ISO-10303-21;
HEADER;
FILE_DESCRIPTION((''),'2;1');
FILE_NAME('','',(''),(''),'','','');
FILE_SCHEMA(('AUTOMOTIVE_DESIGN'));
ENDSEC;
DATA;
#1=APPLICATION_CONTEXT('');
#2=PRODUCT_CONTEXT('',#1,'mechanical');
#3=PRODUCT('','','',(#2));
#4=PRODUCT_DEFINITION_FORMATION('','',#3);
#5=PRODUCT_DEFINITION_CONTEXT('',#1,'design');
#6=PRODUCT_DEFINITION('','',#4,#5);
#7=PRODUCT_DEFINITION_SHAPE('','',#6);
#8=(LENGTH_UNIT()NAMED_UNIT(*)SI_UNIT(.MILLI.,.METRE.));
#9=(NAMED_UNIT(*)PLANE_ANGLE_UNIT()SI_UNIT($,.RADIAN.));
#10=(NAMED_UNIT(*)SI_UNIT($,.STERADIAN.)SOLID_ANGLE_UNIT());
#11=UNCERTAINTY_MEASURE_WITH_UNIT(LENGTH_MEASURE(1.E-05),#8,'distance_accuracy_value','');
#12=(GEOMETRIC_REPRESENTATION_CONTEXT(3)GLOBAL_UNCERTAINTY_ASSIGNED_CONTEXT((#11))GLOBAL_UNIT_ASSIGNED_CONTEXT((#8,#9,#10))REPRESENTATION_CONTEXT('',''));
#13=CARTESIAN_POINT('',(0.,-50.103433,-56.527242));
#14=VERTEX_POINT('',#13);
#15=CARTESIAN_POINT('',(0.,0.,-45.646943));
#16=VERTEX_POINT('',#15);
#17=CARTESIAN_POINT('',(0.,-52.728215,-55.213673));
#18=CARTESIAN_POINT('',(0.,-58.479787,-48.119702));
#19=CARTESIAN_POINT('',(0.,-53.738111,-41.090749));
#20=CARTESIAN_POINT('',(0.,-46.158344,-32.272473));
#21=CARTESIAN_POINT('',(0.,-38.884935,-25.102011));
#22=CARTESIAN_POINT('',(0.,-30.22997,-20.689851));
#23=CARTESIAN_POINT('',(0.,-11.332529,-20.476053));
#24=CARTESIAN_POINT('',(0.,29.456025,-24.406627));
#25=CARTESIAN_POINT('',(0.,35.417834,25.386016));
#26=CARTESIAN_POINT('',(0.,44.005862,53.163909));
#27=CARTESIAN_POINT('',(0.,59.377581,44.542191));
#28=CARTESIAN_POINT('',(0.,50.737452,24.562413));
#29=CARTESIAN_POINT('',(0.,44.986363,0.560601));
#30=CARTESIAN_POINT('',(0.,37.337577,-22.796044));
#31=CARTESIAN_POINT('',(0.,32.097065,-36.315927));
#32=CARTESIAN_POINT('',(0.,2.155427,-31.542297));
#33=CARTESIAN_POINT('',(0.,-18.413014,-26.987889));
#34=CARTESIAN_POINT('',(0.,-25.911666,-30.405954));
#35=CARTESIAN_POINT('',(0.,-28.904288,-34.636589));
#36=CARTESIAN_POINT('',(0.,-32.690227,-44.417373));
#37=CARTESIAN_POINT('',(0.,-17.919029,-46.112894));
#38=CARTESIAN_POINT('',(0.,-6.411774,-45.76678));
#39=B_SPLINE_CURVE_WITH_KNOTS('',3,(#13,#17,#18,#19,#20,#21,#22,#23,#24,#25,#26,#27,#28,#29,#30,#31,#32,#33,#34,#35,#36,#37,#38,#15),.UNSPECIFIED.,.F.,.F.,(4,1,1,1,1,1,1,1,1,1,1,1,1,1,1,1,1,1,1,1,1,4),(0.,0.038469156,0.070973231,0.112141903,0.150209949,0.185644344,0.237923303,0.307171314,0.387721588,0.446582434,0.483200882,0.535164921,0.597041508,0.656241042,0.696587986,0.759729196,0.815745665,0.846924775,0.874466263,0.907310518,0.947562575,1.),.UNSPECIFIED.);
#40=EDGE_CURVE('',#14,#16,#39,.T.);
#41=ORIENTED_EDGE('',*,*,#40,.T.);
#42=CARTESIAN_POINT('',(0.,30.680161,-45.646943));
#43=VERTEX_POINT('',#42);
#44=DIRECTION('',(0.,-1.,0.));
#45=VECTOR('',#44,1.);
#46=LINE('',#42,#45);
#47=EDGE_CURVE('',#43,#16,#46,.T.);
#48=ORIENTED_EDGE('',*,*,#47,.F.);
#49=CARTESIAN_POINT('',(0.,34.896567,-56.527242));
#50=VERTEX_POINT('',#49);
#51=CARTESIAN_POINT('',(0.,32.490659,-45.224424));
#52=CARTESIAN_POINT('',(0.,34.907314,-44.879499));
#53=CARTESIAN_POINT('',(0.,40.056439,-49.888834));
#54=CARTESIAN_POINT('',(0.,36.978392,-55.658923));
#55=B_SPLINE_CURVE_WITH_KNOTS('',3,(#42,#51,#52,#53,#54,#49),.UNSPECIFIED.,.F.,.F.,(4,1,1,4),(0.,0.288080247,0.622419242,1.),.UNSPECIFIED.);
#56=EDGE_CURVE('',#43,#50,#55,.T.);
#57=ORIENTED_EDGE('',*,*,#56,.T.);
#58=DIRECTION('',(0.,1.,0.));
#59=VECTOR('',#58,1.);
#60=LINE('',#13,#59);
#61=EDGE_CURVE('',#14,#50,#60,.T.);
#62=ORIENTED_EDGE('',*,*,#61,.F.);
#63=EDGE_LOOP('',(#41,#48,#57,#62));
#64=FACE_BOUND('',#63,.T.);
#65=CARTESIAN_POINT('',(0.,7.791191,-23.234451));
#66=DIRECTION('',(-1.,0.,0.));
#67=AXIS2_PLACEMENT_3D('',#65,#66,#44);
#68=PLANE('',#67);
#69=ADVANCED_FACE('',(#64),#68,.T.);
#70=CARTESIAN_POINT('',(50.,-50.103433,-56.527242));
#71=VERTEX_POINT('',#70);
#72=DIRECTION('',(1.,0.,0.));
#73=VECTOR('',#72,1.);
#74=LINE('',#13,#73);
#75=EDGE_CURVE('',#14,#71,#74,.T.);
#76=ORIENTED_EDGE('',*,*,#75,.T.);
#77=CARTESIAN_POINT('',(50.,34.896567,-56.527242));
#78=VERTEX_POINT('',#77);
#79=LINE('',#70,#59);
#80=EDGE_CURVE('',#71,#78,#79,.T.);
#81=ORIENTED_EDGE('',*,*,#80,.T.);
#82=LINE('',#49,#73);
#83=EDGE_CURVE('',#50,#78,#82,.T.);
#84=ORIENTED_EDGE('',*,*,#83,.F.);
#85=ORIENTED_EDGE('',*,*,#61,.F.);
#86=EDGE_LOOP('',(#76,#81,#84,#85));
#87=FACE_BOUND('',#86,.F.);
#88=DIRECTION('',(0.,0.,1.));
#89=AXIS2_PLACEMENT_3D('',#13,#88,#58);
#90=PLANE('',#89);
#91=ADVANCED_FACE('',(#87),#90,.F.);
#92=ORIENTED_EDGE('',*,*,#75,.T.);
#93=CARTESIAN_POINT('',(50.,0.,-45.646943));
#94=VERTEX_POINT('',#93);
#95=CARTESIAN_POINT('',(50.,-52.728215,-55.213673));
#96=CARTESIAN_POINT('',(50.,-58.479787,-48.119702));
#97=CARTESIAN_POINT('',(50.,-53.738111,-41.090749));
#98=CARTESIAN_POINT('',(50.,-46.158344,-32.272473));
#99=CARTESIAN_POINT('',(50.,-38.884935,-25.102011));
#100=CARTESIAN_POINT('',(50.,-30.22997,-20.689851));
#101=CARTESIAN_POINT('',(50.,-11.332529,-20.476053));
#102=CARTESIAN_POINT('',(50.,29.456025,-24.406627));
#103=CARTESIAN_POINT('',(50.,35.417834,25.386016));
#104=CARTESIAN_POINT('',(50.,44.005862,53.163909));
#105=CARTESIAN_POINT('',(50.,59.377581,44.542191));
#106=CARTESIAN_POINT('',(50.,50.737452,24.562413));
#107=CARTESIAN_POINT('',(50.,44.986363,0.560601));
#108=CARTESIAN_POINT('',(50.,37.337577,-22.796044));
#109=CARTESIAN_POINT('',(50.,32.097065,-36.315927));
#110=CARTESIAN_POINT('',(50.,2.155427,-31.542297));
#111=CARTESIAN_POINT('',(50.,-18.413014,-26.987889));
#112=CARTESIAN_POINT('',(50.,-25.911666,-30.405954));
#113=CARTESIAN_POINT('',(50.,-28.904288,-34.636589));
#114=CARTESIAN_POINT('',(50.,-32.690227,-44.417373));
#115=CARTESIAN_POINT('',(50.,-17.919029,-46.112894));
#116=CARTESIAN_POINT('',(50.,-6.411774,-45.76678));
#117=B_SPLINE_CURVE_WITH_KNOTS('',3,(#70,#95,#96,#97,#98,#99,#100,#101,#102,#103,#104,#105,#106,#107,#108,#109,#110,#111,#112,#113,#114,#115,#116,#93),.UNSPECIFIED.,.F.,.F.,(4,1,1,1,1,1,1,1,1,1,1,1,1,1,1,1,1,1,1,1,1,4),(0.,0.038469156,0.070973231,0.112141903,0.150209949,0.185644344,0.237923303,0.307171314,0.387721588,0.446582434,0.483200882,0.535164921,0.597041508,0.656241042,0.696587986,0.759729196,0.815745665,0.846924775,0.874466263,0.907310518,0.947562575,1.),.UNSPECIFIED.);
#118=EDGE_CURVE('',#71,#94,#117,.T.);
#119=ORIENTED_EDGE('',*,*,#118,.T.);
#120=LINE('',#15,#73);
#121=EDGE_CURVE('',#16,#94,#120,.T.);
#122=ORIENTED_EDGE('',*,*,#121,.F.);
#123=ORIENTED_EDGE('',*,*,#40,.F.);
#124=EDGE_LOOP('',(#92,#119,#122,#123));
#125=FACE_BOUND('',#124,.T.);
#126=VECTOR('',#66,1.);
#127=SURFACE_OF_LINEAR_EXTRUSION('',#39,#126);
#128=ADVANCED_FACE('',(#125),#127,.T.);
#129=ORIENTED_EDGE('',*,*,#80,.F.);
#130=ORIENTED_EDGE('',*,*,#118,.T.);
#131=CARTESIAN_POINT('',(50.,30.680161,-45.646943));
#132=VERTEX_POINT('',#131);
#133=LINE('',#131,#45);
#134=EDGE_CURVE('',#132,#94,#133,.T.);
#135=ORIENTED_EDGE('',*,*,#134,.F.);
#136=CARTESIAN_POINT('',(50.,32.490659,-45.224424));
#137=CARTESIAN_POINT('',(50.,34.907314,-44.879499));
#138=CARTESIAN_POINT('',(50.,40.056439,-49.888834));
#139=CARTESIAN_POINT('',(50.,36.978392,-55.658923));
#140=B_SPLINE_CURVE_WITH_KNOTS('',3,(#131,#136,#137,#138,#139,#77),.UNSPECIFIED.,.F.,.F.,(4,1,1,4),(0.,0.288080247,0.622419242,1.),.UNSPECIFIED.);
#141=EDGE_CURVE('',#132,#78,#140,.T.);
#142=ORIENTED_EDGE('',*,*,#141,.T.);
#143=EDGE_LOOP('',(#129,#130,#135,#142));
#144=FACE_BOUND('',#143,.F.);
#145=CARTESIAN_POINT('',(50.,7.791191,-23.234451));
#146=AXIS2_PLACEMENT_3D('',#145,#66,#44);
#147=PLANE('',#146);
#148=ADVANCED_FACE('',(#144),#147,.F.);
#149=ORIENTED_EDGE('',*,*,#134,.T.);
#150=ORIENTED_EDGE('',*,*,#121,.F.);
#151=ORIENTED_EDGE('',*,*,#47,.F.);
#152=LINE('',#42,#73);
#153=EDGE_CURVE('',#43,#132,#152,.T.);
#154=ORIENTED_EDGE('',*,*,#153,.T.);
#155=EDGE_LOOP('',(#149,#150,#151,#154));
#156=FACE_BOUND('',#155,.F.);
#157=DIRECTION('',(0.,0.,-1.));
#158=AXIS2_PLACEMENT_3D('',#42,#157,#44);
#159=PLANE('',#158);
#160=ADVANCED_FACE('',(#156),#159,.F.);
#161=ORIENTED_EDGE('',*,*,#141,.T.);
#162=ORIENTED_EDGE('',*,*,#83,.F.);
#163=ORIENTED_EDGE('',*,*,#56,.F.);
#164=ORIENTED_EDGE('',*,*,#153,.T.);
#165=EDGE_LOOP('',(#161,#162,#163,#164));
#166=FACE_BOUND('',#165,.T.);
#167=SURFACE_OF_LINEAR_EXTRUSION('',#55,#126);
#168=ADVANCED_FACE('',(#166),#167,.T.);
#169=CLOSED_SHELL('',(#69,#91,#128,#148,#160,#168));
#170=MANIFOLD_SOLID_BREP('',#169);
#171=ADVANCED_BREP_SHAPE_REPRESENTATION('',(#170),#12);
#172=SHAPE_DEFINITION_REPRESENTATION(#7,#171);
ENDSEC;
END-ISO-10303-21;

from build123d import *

# Parameters (mm, degrees)
F1_DEPTH = 50


with BuildPart() as f1:
    # F0 (on Right) → F1 (new body)
    with BuildSketch(Plane.YZ):
        with BuildLine():
            add(Edge.make_bspline(
                [(-50.1034325361, -56.5272420645), (-52.728214737, -55.2136730202), (-58.4797865192, -48.1197021264), (-53.7381106677, -41.0907493642), (-46.1583443508, -32.2724729737), (-38.8849351774, -25.1020109466), (-30.2299701649, -20.6898513984), (-11.3325285926, -20.4760532107), (29.4560249654, -24.4066273445), (35.4178338975, 25.386015954), (44.0058615796, 53.1639094538), (59.3775805918, 44.5421907757), (50.7374524954, 24.5624127552), (44.9863632996, 0.5606010801), (37.3375769316, -22.7960444979), (32.0970651305, -36.3159272719), (2.1554274004, -31.5422966897), (-18.413013791, -26.9878892249), (-25.9116655936, -30.4059535017), (-28.9042875645, -34.6365893665), (-32.6902266414, -44.4173732064), (-17.919028865, -46.1128937037), (-6.4117736775, -45.7667795443), (0, -45.646943152)],
                knots=[0, 0, 0, 0, 0.038469156, 0.0709732307, 0.1121419029, 0.150209949, 0.1856443436, 0.237923303, 0.3071713138, 0.3877215881, 0.4465824342, 0.4832008817, 0.5351649214, 0.5970415076, 0.6562410422, 0.6965879865, 0.7597291964, 0.8157456653, 0.8469247746, 0.8744662626, 0.9073105179, 0.9475625752, 1, 1, 1, 1], degree=3))
            Line((-50.1034325361, -56.5272420645), (34.8965674639, -56.5272420645))
            add(Edge.make_bspline(
                [(30.6801613686, -45.646943152), (32.4906593848, -45.2244235935), (34.9073140411, -44.879498752), (40.0564386981, -49.8888335412), (36.9783918631, -55.6589230014), (34.8965674639, -56.5272420645)],
                knots=[0, 0, 0, 0, 0.2880802467, 0.6224192416, 1, 1, 1, 1], degree=3))
            Line((30.6801613686, -45.646943152), (0, -45.646943152))
        make_face()
    extrude(amount=F1_DEPTH)


solid = f1.part
